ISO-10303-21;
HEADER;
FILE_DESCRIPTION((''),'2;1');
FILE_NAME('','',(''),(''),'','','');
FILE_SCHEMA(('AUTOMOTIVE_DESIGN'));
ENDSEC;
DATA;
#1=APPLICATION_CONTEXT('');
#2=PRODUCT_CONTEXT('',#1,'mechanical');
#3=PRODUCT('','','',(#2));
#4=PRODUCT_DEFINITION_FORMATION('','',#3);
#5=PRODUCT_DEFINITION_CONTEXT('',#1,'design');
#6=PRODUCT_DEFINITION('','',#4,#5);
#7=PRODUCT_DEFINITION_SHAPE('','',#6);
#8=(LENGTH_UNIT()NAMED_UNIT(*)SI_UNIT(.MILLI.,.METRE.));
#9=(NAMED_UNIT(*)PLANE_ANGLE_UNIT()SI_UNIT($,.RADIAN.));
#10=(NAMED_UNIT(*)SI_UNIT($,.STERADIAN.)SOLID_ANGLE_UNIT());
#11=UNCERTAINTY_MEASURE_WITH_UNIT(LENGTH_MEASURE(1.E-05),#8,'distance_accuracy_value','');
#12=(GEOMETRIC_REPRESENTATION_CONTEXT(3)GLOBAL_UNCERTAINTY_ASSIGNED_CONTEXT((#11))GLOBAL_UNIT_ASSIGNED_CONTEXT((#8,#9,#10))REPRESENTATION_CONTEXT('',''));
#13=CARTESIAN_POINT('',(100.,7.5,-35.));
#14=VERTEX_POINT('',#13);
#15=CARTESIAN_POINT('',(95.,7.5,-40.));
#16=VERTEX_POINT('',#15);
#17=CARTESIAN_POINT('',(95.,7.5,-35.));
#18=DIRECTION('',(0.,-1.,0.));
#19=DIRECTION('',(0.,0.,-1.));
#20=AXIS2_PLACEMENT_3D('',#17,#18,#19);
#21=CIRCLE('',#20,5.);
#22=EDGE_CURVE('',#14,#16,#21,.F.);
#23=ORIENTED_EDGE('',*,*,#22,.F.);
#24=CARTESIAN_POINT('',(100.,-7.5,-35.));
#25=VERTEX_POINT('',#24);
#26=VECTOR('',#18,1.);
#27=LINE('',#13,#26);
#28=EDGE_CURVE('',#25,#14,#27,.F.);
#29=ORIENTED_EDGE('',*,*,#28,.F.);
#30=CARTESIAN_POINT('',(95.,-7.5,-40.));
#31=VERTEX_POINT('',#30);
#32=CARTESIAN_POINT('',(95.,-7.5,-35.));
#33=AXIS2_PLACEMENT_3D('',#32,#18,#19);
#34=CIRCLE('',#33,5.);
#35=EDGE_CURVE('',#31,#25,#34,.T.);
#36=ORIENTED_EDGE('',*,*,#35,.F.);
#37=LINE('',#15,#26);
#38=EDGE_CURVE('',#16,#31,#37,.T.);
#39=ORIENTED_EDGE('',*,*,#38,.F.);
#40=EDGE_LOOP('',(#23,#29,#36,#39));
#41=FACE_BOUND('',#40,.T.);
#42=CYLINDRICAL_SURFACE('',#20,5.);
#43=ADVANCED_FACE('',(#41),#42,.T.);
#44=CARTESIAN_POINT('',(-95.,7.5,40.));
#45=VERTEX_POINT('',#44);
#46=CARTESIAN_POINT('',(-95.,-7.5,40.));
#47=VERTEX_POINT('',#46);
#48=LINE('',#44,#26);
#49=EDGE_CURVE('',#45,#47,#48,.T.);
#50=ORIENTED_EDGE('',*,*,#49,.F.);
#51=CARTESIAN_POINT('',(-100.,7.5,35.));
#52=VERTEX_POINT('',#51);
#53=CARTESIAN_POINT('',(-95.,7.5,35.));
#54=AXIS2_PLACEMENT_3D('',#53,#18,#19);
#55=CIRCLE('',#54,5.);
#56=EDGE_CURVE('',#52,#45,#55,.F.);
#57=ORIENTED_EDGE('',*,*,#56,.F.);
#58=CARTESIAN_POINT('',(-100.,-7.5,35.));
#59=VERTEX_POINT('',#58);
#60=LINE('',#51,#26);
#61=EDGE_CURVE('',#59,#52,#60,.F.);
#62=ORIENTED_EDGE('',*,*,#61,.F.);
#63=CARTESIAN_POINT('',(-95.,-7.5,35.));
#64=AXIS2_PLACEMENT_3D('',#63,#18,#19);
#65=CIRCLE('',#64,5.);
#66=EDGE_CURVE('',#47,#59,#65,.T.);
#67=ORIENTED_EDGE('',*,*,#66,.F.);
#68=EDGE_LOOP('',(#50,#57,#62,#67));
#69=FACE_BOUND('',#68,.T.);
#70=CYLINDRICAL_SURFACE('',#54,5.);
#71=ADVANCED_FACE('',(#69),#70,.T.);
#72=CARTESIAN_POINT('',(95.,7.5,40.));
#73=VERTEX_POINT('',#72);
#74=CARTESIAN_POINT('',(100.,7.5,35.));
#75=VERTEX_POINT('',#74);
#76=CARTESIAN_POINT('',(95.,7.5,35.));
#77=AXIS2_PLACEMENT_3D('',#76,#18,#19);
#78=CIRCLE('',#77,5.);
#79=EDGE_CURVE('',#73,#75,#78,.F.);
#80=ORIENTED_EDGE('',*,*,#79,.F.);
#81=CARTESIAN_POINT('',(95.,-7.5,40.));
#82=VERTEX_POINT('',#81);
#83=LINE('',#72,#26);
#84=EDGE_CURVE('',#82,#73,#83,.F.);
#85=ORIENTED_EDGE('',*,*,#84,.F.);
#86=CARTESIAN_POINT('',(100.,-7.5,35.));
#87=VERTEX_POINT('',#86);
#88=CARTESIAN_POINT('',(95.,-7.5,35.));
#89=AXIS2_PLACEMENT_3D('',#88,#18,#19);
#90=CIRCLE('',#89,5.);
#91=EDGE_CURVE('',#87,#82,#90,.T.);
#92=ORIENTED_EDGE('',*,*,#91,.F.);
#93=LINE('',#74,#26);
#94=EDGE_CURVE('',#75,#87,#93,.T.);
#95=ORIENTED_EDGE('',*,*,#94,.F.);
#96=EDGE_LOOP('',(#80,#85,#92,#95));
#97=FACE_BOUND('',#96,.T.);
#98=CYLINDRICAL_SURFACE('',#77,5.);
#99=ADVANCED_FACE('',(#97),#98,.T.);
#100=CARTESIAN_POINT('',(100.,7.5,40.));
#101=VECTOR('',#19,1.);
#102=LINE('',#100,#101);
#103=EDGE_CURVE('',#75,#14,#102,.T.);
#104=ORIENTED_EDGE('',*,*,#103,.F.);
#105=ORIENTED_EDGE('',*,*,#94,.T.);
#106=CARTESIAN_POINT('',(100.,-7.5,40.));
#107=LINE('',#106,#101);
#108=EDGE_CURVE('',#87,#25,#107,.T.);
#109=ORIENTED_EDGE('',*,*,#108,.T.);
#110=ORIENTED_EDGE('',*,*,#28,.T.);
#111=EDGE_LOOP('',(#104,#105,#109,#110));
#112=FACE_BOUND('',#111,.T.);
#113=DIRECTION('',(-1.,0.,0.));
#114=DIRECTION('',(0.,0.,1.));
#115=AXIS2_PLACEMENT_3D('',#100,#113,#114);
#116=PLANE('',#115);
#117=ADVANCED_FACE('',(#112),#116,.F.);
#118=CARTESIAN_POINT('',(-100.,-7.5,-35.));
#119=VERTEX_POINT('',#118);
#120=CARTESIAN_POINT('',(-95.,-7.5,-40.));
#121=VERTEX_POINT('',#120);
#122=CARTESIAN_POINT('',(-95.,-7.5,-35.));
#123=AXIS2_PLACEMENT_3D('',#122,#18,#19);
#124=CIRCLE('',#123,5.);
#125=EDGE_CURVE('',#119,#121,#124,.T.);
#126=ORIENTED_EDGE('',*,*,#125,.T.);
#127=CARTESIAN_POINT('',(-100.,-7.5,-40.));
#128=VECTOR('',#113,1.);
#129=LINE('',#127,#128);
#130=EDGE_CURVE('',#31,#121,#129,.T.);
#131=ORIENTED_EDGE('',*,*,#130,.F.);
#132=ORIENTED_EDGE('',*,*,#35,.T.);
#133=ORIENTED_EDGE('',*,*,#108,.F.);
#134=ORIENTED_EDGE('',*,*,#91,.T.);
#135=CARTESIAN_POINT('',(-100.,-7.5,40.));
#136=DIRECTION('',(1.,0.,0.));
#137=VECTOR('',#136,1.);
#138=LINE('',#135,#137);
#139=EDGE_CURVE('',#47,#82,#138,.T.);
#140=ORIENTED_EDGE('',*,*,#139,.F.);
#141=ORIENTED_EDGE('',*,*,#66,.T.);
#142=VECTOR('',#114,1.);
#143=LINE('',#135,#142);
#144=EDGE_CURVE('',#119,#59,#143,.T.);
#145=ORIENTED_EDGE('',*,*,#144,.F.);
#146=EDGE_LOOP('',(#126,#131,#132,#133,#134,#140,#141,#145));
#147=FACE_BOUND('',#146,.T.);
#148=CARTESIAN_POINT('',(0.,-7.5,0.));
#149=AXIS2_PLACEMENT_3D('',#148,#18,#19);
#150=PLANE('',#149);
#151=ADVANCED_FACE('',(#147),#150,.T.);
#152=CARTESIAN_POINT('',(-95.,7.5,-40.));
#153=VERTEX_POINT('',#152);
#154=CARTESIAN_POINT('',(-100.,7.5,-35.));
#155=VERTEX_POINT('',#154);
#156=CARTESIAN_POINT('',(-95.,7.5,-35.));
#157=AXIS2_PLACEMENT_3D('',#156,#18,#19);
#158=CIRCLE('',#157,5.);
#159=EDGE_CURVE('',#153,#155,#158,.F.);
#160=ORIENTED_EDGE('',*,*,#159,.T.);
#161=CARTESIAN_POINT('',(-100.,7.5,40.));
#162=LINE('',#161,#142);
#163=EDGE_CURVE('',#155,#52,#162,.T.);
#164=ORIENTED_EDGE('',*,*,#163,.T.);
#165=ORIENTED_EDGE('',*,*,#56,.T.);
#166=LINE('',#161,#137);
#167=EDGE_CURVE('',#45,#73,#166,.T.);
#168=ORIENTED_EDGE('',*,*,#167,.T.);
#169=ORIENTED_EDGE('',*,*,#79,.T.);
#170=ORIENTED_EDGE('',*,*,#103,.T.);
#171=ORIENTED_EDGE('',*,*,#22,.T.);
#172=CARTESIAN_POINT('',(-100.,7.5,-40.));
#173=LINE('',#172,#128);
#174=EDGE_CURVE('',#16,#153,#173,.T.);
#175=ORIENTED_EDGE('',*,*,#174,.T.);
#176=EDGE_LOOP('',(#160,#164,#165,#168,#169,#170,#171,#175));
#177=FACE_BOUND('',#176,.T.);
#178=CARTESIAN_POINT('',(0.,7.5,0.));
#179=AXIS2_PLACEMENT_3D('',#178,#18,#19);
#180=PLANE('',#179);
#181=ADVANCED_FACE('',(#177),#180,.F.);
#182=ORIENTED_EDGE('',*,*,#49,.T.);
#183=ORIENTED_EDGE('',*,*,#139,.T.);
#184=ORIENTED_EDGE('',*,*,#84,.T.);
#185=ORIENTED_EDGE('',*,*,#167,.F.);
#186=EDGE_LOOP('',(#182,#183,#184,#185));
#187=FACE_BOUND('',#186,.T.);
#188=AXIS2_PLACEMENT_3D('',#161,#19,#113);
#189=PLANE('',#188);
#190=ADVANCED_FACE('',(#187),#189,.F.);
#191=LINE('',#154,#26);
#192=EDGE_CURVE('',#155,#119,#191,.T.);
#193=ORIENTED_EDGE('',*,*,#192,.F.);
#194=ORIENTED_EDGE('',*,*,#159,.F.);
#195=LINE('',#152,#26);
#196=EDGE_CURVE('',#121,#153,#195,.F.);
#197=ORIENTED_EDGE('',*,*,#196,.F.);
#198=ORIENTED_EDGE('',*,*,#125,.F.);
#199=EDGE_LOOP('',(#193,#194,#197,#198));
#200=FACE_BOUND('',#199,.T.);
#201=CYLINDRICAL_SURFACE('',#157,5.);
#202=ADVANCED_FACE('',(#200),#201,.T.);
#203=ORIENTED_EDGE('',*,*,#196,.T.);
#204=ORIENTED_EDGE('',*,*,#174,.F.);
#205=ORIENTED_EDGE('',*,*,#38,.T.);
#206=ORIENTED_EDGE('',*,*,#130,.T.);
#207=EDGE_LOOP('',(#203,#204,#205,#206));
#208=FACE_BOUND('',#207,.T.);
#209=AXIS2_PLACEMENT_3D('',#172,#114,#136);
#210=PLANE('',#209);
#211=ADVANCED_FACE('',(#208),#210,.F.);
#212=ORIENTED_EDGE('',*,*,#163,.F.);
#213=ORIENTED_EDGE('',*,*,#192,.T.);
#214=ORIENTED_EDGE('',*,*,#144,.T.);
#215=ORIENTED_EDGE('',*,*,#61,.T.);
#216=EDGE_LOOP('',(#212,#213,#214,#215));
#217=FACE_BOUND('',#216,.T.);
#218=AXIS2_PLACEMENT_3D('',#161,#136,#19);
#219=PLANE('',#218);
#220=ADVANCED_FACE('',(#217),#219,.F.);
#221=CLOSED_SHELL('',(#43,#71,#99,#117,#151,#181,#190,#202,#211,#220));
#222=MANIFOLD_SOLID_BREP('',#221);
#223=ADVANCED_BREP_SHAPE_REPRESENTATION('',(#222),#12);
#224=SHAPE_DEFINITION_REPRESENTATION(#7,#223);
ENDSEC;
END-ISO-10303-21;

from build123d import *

# Parameters (mm, degrees)
SKETCH1_W           = 200
SKETCH1_H           = 80
BOSS_EXTRUDE1_DEPTH = 7.5
FILLET1_R           = 5


with BuildPart() as part:
    # Sketch1 → Boss-Extrude1 (new, symmetric)
    with BuildSketch(Plane(origin=(0, 0, 0), x_dir=(1, 0, 0), z_dir=(0, 1, 0))):
        Rectangle(SKETCH1_W, SKETCH1_H)
    extrude(amount=BOSS_EXTRUDE1_DEPTH, both=True)

    # Fillet1
    fillet1_edges = [part.edges().sort_by_distance(p)[0] for p in [
        (100, 0, 40),
        (-100, 0, 40),
        (-100, 0, -40),
        (100, 0, -40),
    ]]
    fillet(fillet1_edges, radius=FILLET1_R)


solid = part.part
